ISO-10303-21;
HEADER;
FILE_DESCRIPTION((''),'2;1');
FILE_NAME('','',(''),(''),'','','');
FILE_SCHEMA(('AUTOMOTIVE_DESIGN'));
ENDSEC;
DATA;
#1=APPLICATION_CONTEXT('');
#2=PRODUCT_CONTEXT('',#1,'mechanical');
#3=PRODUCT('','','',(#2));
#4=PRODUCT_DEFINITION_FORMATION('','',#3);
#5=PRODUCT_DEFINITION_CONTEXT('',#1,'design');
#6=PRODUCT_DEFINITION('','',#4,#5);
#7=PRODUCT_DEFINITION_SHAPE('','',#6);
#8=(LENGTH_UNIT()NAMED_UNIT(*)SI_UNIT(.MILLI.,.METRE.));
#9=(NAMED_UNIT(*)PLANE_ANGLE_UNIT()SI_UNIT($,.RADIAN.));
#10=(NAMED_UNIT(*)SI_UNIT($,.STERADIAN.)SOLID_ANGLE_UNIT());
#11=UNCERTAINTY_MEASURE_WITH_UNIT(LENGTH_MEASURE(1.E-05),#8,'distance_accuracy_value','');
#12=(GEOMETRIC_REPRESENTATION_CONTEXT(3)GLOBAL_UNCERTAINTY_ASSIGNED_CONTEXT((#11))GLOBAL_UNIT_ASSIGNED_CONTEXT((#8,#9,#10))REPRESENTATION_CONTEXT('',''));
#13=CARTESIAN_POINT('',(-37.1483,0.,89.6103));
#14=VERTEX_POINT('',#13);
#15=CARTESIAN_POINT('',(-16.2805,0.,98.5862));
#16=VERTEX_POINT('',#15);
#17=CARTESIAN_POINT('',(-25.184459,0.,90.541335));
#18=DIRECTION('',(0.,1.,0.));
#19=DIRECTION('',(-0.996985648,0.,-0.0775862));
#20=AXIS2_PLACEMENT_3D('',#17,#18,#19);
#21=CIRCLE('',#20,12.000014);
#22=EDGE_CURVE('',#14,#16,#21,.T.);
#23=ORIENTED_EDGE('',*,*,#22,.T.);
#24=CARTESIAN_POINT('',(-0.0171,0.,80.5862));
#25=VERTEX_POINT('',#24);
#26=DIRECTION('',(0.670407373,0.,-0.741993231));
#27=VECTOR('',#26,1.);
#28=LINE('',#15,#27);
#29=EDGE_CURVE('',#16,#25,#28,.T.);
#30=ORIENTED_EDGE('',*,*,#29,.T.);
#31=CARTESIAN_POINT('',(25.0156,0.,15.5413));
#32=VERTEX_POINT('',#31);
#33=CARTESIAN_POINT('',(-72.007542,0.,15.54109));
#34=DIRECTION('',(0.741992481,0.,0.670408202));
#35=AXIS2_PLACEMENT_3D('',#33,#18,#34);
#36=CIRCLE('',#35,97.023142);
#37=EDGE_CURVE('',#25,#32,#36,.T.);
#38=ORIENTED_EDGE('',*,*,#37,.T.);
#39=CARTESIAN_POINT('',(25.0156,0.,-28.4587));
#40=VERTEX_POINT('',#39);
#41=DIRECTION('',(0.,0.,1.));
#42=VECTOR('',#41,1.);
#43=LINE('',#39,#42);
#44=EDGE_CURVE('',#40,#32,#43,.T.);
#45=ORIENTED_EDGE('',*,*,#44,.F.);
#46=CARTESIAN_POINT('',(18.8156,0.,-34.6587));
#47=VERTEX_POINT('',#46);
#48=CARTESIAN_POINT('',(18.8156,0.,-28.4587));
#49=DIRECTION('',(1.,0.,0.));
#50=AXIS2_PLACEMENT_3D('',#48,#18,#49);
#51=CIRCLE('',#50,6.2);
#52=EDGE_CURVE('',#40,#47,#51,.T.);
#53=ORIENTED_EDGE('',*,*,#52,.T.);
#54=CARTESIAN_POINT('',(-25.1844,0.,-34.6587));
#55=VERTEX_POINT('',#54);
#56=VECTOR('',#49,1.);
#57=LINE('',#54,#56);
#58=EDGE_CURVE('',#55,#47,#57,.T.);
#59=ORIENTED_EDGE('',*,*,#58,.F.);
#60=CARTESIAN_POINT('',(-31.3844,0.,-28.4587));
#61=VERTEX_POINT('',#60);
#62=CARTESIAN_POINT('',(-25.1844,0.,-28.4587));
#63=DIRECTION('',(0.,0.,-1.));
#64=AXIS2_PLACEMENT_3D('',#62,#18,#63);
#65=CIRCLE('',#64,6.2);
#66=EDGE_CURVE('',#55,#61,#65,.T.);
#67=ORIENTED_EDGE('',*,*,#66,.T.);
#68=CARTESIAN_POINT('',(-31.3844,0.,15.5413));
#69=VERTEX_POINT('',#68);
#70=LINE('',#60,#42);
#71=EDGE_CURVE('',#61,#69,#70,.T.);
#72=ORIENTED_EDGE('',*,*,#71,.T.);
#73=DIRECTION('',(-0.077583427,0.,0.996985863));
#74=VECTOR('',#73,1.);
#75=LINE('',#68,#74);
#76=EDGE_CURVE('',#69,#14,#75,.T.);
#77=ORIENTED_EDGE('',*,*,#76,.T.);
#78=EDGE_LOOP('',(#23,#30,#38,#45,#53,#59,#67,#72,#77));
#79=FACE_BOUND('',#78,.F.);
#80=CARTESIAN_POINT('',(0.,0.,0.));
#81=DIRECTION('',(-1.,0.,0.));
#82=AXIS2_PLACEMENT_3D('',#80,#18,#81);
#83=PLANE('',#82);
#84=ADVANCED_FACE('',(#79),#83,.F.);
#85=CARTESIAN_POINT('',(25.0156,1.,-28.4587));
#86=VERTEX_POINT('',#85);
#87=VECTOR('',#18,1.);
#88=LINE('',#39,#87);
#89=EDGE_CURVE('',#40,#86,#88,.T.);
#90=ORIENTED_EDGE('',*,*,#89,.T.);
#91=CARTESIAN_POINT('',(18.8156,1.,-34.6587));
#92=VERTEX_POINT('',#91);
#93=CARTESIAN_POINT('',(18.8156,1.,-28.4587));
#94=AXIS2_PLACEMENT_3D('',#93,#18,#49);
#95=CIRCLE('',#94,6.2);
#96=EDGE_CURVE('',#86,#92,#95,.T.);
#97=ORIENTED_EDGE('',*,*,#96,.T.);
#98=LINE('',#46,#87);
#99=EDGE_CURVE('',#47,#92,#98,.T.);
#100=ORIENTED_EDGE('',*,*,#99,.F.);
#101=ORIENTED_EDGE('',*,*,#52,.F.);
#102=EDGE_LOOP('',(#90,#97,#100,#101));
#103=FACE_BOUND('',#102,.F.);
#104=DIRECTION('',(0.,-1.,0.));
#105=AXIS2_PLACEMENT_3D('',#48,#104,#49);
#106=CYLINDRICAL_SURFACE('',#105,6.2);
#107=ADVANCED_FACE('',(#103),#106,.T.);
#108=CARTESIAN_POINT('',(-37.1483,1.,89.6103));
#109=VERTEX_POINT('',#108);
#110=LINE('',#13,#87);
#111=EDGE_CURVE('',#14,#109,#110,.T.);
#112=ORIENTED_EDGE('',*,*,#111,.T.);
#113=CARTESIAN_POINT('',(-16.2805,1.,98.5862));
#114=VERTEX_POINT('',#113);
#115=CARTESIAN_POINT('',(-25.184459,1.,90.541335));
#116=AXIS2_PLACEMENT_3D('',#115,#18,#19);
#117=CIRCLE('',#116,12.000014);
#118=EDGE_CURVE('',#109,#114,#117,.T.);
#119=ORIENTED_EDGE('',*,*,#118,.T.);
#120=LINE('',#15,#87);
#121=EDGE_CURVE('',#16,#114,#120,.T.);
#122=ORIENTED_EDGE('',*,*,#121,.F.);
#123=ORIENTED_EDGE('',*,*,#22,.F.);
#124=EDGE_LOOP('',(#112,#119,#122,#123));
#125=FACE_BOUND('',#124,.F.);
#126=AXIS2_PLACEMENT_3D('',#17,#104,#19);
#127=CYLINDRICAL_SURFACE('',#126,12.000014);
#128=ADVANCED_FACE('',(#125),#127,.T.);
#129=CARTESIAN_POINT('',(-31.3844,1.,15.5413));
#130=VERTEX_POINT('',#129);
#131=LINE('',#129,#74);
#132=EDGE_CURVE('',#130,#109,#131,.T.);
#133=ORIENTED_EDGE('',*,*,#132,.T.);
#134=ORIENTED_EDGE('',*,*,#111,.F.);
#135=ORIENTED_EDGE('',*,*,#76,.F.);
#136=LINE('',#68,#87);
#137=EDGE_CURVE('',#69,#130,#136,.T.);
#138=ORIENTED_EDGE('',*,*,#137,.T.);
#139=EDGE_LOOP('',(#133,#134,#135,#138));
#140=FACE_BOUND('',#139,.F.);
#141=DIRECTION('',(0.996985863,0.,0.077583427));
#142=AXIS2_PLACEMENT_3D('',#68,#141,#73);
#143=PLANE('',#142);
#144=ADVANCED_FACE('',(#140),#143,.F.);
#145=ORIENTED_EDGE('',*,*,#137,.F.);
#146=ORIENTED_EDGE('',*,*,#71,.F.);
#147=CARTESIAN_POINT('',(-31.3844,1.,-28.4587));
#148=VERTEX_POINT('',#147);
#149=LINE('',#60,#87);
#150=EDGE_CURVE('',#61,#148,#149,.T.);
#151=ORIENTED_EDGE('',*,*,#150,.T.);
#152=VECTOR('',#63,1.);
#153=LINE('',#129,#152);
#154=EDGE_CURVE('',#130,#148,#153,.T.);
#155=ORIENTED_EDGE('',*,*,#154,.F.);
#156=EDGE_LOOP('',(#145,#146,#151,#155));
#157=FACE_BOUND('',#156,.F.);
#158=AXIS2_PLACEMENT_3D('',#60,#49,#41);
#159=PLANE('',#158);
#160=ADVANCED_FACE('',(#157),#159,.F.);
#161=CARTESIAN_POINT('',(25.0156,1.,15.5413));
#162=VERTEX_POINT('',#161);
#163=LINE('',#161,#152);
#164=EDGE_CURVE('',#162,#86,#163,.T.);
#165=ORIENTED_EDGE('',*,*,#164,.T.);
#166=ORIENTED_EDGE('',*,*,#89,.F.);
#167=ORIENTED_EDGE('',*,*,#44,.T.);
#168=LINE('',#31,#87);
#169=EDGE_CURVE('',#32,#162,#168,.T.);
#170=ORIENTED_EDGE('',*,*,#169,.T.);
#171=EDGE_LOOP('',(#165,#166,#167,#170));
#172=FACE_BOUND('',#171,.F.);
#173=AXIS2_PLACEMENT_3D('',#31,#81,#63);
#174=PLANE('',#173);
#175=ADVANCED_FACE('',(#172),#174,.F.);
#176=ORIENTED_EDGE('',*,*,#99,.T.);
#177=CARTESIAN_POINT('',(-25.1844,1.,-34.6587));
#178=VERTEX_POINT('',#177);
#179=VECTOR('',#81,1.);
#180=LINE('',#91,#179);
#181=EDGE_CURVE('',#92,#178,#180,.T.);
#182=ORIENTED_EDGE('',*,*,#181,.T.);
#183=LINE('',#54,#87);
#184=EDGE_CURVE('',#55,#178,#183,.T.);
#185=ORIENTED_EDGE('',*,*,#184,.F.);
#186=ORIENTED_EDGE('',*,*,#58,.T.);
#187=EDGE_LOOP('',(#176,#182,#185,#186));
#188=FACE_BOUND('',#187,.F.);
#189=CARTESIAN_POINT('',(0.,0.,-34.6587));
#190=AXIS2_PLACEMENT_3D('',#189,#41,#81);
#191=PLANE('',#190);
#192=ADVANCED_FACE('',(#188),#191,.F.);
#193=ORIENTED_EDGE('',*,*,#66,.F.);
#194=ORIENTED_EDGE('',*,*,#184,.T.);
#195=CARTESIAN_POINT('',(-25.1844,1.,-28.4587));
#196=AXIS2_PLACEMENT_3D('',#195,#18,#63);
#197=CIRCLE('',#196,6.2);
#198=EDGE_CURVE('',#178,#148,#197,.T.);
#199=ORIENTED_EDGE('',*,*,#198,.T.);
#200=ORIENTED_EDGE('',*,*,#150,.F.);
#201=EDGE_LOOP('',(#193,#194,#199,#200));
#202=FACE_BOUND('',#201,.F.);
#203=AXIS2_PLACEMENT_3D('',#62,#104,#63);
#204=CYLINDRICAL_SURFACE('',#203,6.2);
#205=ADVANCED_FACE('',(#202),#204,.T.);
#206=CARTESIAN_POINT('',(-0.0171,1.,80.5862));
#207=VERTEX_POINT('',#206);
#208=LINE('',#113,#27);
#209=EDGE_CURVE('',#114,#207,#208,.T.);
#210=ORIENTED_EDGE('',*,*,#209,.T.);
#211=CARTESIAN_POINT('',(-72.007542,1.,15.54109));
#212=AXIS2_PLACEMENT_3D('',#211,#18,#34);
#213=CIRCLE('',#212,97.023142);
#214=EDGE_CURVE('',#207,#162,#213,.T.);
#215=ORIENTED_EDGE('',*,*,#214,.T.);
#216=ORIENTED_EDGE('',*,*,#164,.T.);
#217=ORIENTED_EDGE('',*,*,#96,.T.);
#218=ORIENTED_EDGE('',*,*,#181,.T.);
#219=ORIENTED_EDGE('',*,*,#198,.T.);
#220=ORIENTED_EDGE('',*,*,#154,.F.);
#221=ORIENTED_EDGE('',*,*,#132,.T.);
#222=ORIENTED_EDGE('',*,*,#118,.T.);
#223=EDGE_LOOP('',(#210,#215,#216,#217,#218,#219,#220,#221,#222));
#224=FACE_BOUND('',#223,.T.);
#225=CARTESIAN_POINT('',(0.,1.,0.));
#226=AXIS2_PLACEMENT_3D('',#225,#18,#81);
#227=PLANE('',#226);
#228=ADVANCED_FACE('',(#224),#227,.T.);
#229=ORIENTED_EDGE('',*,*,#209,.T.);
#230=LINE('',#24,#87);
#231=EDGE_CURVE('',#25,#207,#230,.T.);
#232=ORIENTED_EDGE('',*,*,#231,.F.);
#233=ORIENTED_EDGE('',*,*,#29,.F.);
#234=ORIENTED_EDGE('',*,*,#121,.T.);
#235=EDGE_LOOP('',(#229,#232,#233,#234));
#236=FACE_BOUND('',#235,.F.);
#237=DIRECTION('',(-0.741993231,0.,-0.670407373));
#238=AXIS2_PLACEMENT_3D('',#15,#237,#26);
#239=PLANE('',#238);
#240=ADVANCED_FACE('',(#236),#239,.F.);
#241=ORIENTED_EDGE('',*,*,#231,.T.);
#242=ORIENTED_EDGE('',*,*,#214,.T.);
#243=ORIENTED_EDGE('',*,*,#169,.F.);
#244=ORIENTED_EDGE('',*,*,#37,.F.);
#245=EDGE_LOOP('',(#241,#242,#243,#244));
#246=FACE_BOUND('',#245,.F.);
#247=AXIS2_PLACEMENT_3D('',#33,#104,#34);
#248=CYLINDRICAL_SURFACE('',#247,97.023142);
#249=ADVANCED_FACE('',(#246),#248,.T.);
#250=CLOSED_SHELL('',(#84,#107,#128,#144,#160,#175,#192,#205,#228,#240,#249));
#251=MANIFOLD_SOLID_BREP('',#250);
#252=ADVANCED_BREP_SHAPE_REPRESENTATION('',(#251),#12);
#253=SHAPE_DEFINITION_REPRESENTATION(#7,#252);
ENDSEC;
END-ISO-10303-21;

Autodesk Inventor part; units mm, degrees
ref_plane "YZ Plane" through (0, 0, 0) normal (1, 0, 0) x (0, 1, 0)
ref_plane "XZ Plane" through (0, 0, 0) normal (0, 1, 0) x (-1, 0, 0)
ref_plane "XY Plane" through (0, 0, 0) normal (0, 0, 1) x (1, 0, 0)
sketch "Sketch1" plane through (0, 0, 0) normal (0, 1, 0) x (-1, 0, 0)
  line L0 (50, 0) -> (-50, 0)
  line L1 (0, 50) -> (0, -50)
  line L2 (-25.0156, 15.5413) -> (-25.0156, -28.4587)
  arc A0 (-25.0156, -28.4587) -> (-18.8156, -34.6587) centre (-18.8156, -28.4587) ccw
  line L3 (-18.8156, -34.6587) -> (25.1844, -34.6587)
  arc A1 (25.1844, -34.6587) -> (31.3844, -28.4587) centre (25.1844, -28.4587) ccw
  line L4 (31.3844, -28.4587) -> (31.3844, 15.5413)
  line L5 (31.3844, 15.5413) -> (37.1483, 89.6103)
  arc A2 (37.1483, 89.6103) -> (16.2805, 98.5862) centre (25.1844, 90.5413) ccw
  line L6 (16.2805, 98.5862) -> (0.0171, 80.5862)
  arc A3 (0.0171, 80.5862) -> (-25.0156, 15.5413) centre (72.0072, 15.5413) ccw
  line L7 (31.3844, 15.5413) -> (-25.0156, 15.5413) construction
  point P0 (0, 0)
  point P1 (31.3844, 15.5413)
  dimension "d0" = 100
  dimension "d1" = 100
  dimension "d3" = 56.4
  dimension "d4" = 6.2
  dimension "case_foot_outer_radius" = 12
  dimension "case_foot_width" = 75
  dimension "d7" = 18
extrude "Extrusion1" add sketch "Sketch1" along normal blind 1
equation "\"d3\" = core_outer_width + 2 * case_spacing + 2 * case_thickness"
equation "\"d4\" = core_outer_radius + case_thickness + case_spacing"
equation "\"case_spacing\" = 0.2"
equation "\"core_outer_width\" = 54"
equation "\"case_thickness\" = 1"
equation "\"core_outer_radius\" = 5"
properties part number "m2stack_bottom_1"
